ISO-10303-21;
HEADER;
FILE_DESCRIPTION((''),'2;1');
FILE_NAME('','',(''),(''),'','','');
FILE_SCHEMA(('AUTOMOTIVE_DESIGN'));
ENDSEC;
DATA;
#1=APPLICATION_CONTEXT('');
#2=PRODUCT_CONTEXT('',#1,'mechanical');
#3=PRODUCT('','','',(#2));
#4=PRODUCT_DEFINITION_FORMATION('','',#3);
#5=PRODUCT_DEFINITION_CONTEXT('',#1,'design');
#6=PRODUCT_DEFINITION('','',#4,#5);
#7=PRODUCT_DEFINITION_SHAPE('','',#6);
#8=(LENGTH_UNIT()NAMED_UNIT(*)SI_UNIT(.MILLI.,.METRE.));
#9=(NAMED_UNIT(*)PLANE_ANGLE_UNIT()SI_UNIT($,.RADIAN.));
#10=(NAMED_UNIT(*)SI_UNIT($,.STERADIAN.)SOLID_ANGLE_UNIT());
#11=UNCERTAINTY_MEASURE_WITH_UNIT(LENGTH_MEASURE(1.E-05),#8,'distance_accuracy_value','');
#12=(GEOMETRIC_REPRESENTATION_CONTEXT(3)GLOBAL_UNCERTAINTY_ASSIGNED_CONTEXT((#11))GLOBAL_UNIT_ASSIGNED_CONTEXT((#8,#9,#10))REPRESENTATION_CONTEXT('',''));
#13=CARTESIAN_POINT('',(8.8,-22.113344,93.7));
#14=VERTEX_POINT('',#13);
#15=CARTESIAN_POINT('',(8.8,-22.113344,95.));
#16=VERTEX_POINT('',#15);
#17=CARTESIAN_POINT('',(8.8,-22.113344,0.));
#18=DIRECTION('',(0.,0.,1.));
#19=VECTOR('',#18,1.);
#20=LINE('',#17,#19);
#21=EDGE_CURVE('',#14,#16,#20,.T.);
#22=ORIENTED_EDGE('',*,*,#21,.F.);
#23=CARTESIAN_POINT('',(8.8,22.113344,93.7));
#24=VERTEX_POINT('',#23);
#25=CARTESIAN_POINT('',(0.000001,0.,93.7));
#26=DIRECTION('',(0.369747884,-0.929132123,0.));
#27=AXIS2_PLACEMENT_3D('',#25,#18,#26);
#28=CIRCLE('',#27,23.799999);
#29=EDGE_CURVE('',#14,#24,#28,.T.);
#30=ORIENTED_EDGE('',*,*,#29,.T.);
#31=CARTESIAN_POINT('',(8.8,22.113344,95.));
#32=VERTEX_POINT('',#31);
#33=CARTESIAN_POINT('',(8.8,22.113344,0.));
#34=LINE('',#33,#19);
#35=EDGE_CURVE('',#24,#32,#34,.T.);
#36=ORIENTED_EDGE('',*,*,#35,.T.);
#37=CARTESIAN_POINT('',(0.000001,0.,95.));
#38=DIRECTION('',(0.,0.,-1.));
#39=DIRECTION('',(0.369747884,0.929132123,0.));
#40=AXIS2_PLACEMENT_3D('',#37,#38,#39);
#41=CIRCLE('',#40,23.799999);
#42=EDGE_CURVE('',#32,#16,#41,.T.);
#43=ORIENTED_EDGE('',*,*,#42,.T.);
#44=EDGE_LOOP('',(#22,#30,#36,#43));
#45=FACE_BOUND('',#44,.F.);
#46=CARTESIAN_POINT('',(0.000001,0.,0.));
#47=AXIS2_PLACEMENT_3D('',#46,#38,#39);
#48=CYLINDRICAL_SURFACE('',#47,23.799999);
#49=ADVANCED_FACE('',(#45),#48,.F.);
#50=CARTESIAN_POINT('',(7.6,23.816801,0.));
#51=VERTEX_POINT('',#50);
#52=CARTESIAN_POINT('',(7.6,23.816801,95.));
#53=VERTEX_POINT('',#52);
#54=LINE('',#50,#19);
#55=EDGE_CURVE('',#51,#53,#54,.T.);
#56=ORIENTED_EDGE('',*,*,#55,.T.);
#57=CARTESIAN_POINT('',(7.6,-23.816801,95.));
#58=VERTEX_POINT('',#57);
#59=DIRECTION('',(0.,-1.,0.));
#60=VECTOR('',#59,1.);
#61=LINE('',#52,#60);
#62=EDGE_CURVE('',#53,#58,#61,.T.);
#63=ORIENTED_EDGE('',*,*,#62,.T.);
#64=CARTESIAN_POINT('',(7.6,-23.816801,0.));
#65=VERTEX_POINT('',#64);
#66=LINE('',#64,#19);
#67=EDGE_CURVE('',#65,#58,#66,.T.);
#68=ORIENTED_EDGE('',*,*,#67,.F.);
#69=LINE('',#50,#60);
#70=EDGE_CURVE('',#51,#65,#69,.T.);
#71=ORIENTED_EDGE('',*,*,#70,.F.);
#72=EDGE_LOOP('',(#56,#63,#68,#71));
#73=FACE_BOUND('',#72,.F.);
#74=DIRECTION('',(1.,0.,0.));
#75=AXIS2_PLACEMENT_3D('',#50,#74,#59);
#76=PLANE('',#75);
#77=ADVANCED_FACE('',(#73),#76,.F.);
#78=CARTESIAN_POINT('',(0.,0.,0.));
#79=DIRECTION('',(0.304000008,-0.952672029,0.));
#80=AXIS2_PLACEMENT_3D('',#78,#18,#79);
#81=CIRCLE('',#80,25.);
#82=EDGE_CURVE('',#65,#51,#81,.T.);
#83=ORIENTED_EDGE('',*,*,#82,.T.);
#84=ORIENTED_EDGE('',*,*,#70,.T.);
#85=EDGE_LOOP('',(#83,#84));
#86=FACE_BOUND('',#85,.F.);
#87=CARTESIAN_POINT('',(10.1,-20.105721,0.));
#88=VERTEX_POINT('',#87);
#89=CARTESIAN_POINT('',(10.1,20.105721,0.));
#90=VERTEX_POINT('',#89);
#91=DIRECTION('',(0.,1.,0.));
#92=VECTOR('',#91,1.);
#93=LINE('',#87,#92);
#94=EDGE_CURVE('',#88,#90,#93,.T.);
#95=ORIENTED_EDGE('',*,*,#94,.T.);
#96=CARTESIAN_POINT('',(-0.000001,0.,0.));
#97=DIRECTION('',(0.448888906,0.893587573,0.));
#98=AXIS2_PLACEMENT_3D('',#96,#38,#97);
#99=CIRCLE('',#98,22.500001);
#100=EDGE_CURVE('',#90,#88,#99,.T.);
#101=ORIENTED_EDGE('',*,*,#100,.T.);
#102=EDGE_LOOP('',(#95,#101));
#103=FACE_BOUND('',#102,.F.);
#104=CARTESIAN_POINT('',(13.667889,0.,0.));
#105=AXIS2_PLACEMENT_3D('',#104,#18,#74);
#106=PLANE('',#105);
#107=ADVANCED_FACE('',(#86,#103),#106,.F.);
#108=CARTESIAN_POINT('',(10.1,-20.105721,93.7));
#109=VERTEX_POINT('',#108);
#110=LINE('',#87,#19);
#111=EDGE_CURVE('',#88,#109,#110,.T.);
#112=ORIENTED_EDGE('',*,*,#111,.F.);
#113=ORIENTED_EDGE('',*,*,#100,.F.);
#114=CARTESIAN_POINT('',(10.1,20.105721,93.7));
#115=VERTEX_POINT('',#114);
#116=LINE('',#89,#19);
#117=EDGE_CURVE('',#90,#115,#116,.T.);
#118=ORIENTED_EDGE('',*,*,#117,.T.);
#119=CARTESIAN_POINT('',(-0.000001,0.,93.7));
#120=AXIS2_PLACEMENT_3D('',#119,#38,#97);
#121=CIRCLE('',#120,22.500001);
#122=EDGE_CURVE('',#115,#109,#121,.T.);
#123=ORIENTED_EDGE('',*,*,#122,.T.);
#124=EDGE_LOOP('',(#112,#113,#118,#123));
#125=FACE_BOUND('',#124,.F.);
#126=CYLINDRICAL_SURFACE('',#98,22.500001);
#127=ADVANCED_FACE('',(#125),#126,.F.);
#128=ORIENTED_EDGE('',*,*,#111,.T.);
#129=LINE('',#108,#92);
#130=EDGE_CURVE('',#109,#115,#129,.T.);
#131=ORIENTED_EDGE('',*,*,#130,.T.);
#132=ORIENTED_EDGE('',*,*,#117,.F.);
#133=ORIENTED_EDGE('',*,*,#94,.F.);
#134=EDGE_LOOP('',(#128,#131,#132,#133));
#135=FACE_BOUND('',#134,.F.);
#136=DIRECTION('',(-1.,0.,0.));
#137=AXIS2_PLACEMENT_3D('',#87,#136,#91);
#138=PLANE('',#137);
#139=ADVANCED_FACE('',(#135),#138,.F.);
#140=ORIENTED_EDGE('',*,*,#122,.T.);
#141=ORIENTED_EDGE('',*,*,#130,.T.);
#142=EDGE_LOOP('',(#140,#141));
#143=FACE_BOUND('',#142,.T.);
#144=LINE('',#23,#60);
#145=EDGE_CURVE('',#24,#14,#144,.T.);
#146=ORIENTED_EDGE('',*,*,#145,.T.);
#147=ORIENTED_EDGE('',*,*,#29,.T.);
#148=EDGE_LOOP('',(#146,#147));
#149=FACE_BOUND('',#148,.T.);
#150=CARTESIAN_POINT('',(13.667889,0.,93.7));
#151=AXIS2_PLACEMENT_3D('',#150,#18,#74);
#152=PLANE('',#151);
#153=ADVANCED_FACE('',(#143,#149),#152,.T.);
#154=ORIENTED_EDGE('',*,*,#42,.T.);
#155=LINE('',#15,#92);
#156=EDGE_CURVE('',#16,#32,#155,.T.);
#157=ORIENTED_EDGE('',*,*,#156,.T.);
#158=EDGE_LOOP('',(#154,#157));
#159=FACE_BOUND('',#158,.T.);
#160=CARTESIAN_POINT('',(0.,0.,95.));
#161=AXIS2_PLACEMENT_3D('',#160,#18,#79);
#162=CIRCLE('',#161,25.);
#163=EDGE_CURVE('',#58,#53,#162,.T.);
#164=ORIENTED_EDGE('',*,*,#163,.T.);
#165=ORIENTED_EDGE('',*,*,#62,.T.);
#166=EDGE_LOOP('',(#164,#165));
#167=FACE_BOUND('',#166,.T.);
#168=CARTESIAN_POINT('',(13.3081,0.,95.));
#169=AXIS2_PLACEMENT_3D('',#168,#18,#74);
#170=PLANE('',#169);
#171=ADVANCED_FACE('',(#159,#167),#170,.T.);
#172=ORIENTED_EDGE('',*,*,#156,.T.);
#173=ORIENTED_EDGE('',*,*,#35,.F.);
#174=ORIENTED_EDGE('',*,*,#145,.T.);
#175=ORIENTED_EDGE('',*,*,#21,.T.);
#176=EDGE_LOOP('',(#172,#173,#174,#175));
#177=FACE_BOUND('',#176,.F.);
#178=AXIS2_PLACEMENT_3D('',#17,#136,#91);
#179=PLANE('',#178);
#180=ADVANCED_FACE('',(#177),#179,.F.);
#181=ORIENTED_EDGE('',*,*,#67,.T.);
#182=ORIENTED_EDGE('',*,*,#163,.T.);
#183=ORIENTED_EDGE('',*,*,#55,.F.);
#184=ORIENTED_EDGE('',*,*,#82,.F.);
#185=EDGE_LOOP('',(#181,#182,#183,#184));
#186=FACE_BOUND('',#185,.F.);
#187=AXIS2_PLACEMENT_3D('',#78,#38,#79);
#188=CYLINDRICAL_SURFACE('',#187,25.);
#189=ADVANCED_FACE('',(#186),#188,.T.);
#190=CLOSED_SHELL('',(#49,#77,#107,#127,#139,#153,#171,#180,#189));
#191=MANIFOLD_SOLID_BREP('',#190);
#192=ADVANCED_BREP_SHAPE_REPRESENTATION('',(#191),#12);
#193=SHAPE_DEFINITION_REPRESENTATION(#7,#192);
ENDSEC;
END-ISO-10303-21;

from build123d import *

# Parameters (mm, degrees)
F1_DEPTH = 95
F2_DEPTH = 93.7


with BuildPart() as f1:
    # F0 (on Top) → F1 (new body)
    with BuildSketch(Plane.XY):
        with BuildLine():
            Line((7.6, -21.177582), (7.6, -23.816801))
            ThreePointArc((7.6, -23.816801), (25, 0), (7.6, 23.816801))
            Line((7.6, 23.816801), (7.6, 21.177582))
            Line((7.6, 21.177582), (7.6, -21.177582))
        make_face()
        with BuildLine():
            ThreePointArc((8.8, 22.113344), (23.8, 0), (8.8, -22.113344))
            Line((8.8, -22.113344), (8.8, 22.113344))
        make_face(mode=Mode.SUBTRACT)
    extrude(amount=F1_DEPTH)

    # F0 (on Top) → F2 (join)
    with BuildSketch(Plane.XY):
        with BuildLine():
            Line((8.8, 22.113344), (8.8, -22.113344))
            ThreePointArc((8.8, -22.113344), (23.8, 0), (8.8, 22.113344))
        make_face()
        with BuildLine():
            ThreePointArc((10.1, 20.105721), (22.5, 0), (10.1, -20.105721))
            Line((10.1, -20.105721), (10.1, 20.105721))
        make_face(mode=Mode.SUBTRACT)
    extrude(amount=F2_DEPTH)


solid = f1.part
